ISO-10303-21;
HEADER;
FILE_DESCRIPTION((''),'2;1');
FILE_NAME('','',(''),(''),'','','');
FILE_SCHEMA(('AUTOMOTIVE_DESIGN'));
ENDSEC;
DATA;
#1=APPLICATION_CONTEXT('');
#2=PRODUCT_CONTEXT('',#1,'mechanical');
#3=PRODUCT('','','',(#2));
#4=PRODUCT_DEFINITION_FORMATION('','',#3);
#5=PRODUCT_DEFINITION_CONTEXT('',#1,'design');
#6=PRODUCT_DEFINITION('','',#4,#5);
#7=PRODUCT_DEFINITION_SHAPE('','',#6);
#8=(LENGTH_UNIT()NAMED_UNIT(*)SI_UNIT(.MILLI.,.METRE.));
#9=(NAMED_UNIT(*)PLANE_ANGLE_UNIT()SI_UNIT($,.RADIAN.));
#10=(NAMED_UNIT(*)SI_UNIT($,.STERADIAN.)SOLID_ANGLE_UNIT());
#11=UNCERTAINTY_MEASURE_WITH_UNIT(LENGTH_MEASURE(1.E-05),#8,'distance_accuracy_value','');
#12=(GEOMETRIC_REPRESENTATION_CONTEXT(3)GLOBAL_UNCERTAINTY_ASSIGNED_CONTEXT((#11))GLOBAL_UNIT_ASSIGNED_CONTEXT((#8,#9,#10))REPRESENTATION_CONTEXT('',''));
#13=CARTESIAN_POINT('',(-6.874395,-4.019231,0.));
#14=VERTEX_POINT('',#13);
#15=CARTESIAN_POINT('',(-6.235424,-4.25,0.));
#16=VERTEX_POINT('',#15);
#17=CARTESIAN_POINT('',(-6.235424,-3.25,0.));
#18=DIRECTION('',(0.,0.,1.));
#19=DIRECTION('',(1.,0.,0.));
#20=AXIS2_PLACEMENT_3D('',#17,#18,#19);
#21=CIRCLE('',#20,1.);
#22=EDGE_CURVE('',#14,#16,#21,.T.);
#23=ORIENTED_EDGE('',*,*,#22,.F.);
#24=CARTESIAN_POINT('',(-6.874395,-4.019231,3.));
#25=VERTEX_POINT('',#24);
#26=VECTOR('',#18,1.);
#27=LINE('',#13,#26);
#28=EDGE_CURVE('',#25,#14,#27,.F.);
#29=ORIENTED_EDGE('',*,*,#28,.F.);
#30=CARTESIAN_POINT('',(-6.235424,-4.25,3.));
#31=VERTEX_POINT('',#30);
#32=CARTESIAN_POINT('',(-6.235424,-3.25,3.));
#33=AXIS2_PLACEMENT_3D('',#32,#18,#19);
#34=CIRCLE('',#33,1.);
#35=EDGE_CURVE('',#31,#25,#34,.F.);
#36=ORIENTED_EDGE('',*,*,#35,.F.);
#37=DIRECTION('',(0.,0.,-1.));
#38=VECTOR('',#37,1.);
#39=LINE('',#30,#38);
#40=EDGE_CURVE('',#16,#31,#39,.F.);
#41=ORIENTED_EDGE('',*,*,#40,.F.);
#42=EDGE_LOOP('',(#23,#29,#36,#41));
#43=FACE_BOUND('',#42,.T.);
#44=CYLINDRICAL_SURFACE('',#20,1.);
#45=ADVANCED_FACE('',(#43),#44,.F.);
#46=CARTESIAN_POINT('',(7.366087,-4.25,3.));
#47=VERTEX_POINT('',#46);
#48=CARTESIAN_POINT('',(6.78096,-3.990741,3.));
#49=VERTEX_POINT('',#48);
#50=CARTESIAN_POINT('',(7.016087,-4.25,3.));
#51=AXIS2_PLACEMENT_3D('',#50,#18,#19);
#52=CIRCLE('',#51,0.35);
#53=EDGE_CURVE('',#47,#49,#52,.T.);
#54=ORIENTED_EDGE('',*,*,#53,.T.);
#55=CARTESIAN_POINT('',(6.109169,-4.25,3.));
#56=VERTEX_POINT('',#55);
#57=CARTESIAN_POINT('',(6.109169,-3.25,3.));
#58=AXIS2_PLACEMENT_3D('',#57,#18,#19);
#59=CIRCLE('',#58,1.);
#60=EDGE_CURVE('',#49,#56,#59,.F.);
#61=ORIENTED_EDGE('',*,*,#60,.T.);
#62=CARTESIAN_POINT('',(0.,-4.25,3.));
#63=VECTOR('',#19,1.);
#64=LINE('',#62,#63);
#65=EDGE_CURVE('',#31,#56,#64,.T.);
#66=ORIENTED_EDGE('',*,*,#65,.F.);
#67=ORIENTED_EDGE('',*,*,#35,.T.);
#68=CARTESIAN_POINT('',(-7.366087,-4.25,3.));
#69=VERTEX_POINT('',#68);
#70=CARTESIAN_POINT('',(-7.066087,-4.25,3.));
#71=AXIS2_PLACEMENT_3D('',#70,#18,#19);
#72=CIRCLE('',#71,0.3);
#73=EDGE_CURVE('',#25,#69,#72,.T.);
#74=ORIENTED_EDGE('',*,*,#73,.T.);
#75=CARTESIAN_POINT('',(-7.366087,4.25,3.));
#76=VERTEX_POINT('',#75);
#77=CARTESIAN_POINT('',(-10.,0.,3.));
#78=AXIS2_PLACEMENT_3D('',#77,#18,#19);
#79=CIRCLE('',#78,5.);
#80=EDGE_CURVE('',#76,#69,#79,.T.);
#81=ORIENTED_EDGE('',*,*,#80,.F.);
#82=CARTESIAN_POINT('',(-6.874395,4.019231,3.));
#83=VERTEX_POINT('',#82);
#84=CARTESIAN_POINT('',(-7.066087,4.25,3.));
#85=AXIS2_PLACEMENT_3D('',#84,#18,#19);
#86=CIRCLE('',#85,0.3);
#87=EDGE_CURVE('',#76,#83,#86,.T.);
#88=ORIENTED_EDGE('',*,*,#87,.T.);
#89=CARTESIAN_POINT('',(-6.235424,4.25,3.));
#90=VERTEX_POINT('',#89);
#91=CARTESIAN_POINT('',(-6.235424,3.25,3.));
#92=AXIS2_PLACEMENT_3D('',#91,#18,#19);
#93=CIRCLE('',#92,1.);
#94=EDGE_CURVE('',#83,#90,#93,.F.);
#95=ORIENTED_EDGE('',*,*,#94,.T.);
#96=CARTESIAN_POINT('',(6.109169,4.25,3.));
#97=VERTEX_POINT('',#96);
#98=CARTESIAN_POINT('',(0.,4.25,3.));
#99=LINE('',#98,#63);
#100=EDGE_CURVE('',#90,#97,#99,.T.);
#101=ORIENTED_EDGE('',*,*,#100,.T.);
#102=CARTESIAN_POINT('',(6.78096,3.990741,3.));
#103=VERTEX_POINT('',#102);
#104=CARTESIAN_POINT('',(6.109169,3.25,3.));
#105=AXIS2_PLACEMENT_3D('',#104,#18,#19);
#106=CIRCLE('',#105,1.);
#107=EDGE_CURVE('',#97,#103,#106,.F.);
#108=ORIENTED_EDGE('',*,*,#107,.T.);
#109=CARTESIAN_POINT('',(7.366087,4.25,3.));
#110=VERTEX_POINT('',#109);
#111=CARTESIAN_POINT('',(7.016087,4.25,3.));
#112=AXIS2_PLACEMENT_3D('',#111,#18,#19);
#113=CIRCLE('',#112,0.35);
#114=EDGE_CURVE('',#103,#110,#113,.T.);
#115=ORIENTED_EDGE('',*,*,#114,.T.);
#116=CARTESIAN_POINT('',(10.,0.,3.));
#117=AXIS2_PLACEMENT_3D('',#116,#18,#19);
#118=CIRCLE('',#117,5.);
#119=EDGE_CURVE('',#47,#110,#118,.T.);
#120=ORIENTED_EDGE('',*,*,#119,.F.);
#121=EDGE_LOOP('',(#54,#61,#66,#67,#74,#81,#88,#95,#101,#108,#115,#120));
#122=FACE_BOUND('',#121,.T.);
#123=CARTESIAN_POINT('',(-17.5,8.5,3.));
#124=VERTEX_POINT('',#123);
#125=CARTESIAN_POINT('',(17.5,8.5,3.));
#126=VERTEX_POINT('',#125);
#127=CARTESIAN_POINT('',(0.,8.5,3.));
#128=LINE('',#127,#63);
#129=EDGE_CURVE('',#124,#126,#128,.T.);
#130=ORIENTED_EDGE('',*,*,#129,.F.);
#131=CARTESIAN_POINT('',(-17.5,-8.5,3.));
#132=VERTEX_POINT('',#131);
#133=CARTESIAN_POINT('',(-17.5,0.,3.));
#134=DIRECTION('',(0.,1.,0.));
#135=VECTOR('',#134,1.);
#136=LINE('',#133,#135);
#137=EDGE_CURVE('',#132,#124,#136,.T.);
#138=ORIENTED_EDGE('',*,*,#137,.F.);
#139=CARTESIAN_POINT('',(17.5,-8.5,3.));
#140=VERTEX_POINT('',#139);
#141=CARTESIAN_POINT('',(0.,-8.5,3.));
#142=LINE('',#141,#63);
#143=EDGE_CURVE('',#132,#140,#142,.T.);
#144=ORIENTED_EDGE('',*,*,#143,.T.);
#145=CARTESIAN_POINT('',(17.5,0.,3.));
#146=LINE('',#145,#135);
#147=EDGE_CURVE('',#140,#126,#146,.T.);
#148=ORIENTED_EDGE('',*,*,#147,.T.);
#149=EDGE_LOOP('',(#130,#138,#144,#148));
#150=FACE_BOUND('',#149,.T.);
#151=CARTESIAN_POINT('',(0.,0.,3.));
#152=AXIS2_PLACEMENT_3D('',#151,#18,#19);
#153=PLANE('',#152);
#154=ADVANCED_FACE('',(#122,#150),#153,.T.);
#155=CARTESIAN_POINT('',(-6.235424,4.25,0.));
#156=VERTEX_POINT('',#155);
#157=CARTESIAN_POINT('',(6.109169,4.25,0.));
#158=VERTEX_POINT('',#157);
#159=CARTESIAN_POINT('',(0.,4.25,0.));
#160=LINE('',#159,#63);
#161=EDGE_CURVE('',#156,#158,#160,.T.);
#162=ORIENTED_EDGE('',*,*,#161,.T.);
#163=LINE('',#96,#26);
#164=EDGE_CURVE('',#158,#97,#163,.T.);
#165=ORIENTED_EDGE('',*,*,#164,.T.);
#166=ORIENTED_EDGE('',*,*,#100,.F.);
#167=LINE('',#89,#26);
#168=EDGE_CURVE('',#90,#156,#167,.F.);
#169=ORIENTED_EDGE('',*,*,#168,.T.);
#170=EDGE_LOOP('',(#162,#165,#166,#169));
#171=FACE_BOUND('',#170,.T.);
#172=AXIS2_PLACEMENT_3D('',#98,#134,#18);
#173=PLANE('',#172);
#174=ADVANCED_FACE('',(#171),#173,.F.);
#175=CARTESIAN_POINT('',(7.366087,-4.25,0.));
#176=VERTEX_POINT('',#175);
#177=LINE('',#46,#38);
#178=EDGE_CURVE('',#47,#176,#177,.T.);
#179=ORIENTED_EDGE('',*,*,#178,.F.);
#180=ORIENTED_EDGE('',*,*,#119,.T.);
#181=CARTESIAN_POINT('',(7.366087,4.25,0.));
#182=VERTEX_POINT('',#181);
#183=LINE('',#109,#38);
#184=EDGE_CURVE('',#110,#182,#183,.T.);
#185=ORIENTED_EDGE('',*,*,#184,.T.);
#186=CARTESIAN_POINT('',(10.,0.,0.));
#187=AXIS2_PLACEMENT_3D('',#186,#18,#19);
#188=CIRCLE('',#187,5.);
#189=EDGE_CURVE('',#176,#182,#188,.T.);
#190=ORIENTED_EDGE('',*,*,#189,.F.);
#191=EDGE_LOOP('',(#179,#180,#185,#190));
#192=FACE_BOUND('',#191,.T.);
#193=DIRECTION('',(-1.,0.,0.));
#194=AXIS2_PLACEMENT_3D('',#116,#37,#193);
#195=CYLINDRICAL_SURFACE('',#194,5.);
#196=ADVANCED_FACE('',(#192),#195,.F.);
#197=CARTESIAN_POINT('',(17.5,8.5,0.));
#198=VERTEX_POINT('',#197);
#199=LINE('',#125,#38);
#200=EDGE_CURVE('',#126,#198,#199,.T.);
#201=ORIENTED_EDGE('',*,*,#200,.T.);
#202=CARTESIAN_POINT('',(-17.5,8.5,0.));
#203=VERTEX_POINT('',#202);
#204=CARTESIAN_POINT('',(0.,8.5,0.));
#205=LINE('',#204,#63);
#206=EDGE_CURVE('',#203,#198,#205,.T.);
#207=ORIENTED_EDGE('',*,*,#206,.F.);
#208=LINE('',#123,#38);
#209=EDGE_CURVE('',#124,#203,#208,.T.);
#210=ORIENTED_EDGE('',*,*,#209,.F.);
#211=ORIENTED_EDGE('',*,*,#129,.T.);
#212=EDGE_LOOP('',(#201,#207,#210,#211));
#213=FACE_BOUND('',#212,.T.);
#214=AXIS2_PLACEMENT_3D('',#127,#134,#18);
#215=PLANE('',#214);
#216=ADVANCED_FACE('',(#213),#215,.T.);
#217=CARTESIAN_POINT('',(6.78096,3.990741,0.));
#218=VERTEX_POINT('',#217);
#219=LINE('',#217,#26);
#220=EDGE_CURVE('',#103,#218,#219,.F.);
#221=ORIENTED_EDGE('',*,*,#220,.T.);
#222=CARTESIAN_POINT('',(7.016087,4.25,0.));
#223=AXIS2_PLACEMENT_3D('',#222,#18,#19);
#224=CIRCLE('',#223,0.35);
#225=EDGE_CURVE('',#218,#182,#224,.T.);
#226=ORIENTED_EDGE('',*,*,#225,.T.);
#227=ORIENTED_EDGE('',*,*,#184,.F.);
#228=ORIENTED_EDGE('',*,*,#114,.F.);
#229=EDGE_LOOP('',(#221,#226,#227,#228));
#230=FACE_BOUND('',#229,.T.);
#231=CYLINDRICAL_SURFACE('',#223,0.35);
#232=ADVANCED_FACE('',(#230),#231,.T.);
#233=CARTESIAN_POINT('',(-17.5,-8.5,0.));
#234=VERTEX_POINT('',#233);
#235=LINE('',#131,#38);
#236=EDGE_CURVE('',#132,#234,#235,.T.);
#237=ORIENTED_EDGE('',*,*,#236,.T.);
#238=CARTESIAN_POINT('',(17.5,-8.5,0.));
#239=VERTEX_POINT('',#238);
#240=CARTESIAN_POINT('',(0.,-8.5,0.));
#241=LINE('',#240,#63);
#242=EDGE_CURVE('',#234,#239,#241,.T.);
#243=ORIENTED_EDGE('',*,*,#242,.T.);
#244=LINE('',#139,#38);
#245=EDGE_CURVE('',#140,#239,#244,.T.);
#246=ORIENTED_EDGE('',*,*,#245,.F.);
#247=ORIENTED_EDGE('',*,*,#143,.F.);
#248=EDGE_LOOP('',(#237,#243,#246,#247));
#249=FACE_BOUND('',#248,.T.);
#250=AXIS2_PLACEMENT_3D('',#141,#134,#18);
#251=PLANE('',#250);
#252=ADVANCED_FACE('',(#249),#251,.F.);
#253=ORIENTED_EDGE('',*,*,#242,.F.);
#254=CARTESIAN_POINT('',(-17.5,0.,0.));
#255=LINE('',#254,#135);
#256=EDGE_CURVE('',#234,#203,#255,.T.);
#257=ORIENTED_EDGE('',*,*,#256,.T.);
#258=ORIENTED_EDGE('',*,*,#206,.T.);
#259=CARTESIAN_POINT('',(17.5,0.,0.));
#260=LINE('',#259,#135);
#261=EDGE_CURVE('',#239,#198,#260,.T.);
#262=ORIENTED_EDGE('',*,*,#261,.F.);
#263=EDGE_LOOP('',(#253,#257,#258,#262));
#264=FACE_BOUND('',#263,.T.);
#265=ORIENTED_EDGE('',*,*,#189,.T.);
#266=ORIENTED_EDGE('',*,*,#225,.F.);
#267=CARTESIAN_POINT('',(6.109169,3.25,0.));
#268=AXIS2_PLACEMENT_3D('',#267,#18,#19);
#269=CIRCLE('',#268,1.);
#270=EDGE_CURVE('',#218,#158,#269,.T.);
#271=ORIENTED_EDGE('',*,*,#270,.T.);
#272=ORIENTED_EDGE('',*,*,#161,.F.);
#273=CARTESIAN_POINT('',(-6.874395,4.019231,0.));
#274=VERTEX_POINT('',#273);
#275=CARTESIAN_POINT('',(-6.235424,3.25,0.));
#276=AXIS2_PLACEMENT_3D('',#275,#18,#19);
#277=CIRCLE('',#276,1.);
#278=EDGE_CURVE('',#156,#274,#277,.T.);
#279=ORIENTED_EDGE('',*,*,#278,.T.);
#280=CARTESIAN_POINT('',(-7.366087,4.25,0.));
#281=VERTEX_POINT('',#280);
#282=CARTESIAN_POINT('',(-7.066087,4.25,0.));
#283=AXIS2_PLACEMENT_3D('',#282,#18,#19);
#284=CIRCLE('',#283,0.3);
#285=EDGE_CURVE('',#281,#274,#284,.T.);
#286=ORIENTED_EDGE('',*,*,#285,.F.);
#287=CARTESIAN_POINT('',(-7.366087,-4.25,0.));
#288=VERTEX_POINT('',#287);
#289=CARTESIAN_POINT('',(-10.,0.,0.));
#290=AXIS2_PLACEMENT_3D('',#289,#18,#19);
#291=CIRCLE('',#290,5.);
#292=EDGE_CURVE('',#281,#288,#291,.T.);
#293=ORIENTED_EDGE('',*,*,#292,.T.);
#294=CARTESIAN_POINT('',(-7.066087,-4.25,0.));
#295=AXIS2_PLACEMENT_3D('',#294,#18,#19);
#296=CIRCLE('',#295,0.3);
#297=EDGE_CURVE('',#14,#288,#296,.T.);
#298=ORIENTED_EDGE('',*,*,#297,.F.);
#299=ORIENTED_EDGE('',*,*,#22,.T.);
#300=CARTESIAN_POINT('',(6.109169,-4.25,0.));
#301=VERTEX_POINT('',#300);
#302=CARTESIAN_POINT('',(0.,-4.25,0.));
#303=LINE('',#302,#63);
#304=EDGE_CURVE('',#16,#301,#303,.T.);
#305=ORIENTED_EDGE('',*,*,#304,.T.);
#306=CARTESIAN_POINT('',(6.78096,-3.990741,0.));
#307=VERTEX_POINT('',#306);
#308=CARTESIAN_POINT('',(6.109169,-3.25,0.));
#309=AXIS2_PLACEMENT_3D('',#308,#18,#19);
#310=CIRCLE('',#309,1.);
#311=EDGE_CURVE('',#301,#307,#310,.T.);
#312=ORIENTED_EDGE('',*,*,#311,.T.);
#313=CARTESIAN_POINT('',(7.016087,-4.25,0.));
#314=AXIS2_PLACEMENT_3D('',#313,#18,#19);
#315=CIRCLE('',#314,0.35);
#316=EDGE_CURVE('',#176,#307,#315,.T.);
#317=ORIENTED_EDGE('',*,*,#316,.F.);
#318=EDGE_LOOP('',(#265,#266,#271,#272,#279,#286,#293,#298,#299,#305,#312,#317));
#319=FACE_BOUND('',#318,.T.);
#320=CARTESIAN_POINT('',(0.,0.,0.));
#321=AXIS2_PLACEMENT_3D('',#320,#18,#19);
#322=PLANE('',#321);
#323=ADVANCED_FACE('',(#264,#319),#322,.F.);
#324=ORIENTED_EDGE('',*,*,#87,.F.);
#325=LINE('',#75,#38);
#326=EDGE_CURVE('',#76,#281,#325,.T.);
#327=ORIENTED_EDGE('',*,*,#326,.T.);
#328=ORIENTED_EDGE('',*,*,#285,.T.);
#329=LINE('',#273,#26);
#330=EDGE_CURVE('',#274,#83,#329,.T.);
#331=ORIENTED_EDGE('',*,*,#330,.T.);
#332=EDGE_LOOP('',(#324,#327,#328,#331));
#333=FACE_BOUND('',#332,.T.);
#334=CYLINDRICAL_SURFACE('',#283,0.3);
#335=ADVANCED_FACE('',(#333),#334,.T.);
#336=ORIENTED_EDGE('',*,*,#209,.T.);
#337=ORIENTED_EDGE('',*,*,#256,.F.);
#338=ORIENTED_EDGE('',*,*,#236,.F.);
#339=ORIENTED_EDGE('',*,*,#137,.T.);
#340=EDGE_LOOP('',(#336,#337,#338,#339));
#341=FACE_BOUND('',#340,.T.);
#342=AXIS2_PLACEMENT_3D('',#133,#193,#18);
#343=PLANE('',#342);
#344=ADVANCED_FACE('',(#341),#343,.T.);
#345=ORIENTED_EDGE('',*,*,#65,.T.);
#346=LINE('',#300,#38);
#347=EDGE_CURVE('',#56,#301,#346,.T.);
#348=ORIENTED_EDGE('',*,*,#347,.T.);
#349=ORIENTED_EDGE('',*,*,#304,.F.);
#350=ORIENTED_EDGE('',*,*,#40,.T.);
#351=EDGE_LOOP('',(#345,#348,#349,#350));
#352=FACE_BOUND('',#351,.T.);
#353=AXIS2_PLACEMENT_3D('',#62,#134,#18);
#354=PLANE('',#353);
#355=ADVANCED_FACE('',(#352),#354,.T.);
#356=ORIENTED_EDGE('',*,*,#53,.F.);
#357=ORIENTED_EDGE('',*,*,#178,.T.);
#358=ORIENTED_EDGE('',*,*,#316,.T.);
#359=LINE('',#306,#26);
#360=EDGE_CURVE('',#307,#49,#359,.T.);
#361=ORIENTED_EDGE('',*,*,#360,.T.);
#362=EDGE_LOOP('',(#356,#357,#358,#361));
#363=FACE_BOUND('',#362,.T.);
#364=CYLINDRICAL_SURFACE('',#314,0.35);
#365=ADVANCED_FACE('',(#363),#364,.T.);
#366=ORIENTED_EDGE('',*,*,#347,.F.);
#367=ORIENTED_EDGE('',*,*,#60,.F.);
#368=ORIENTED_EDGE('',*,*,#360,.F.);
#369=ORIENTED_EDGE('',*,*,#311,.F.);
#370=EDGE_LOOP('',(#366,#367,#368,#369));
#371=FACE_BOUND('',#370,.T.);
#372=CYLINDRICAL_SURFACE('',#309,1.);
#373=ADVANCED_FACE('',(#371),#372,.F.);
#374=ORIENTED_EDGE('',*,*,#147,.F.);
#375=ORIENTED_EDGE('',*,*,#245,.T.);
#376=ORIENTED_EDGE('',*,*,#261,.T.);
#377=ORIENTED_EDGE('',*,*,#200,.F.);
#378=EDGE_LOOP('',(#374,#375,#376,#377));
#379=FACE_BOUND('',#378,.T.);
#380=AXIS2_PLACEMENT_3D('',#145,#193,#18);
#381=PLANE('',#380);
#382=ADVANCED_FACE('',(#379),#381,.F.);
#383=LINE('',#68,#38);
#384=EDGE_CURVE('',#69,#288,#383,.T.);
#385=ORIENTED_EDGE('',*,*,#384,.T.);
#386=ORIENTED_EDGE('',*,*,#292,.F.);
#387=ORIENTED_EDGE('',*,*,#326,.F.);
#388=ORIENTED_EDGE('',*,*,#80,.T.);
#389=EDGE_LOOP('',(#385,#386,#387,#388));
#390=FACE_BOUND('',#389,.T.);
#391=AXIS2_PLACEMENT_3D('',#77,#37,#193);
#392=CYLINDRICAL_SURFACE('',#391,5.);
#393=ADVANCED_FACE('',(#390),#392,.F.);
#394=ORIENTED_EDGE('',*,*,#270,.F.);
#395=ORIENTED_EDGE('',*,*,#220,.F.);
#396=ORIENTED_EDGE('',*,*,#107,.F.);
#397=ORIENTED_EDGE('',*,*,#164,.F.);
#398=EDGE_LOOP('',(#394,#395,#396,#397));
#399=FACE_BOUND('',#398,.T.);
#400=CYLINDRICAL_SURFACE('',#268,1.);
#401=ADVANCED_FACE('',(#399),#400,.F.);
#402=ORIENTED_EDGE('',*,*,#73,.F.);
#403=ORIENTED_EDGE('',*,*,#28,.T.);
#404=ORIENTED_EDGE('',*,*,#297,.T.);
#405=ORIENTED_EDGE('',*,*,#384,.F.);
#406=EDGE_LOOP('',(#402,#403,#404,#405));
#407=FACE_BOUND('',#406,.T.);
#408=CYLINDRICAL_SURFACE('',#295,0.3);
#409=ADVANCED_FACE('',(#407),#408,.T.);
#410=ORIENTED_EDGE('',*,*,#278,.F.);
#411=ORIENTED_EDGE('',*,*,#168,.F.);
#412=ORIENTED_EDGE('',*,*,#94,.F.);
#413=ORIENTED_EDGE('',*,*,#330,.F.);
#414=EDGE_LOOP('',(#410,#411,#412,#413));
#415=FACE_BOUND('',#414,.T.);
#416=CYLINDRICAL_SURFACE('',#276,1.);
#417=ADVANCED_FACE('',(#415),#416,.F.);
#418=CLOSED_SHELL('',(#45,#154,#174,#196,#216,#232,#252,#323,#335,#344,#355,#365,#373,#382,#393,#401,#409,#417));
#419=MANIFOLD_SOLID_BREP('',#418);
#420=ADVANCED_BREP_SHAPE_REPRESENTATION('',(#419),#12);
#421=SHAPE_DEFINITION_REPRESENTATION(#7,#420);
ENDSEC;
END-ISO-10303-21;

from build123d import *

# Parameters (mm, degrees)
SKETCH_1_W      = 35
SKETCH_1_H      = 17
EXTRUDE_1_DEPTH = 3
SKETCH_2_R      = 0.3
SKETCH_2_R_2    = 0.35
EXTRUDE_2_DEPTH = 3
FILLET_1_R      = 1


with BuildPart() as part:
    # 스케치1 → 보스-돌출1 (new body)
    with BuildSketch(Plane.XY):
        Rectangle(SKETCH_1_W, SKETCH_1_H)
        with BuildLine():
            Line((7.366086562, -4.25), (-7.366086562, -4.25))
            ThreePointArc((-7.366086562, -4.25), (-15, 0), (-7.366086562, 4.25))
            Line((-7.366086562, 4.25), (7.366086562, 4.25))
            ThreePointArc((7.366086562, 4.25), (12.432121791, 4.368613464), (15, 0))
            ThreePointArc((15, 0), (12.432121791, -4.368613464), (7.366086562, -4.25))
        make_face(mode=Mode.SUBTRACT)
    extrude(amount=EXTRUDE_1_DEPTH)

    # 스케치2 → 보스-돌출2 (add)
    with BuildSketch(Plane.XY.offset(3)):
        with Locations((-7.066086562, 4.25)):
            Circle(SKETCH_2_R)
        with Locations((-7.066086562, -4.25)):
            Circle(SKETCH_2_R)
        with Locations((7.016086562, -4.25)):
            Circle(SKETCH_2_R_2)
        with Locations((7.016086562, 4.25)):
            Circle(SKETCH_2_R_2)
    extrude(amount=-EXTRUDE_2_DEPTH)

    # 필렛1
    fillet_1_edges = [part.edges().sort_by_distance(p)[0] for p in [
        (-6.766086562, 4.25, 1.5),
        (-6.766086562, -4.25, 1.5),
        (6.666086562, -4.25, 1.5),
        (6.666086562, 4.25, 1.5),
    ]]
    fillet(fillet_1_edges, radius=FILLET_1_R)


solid = part.part
